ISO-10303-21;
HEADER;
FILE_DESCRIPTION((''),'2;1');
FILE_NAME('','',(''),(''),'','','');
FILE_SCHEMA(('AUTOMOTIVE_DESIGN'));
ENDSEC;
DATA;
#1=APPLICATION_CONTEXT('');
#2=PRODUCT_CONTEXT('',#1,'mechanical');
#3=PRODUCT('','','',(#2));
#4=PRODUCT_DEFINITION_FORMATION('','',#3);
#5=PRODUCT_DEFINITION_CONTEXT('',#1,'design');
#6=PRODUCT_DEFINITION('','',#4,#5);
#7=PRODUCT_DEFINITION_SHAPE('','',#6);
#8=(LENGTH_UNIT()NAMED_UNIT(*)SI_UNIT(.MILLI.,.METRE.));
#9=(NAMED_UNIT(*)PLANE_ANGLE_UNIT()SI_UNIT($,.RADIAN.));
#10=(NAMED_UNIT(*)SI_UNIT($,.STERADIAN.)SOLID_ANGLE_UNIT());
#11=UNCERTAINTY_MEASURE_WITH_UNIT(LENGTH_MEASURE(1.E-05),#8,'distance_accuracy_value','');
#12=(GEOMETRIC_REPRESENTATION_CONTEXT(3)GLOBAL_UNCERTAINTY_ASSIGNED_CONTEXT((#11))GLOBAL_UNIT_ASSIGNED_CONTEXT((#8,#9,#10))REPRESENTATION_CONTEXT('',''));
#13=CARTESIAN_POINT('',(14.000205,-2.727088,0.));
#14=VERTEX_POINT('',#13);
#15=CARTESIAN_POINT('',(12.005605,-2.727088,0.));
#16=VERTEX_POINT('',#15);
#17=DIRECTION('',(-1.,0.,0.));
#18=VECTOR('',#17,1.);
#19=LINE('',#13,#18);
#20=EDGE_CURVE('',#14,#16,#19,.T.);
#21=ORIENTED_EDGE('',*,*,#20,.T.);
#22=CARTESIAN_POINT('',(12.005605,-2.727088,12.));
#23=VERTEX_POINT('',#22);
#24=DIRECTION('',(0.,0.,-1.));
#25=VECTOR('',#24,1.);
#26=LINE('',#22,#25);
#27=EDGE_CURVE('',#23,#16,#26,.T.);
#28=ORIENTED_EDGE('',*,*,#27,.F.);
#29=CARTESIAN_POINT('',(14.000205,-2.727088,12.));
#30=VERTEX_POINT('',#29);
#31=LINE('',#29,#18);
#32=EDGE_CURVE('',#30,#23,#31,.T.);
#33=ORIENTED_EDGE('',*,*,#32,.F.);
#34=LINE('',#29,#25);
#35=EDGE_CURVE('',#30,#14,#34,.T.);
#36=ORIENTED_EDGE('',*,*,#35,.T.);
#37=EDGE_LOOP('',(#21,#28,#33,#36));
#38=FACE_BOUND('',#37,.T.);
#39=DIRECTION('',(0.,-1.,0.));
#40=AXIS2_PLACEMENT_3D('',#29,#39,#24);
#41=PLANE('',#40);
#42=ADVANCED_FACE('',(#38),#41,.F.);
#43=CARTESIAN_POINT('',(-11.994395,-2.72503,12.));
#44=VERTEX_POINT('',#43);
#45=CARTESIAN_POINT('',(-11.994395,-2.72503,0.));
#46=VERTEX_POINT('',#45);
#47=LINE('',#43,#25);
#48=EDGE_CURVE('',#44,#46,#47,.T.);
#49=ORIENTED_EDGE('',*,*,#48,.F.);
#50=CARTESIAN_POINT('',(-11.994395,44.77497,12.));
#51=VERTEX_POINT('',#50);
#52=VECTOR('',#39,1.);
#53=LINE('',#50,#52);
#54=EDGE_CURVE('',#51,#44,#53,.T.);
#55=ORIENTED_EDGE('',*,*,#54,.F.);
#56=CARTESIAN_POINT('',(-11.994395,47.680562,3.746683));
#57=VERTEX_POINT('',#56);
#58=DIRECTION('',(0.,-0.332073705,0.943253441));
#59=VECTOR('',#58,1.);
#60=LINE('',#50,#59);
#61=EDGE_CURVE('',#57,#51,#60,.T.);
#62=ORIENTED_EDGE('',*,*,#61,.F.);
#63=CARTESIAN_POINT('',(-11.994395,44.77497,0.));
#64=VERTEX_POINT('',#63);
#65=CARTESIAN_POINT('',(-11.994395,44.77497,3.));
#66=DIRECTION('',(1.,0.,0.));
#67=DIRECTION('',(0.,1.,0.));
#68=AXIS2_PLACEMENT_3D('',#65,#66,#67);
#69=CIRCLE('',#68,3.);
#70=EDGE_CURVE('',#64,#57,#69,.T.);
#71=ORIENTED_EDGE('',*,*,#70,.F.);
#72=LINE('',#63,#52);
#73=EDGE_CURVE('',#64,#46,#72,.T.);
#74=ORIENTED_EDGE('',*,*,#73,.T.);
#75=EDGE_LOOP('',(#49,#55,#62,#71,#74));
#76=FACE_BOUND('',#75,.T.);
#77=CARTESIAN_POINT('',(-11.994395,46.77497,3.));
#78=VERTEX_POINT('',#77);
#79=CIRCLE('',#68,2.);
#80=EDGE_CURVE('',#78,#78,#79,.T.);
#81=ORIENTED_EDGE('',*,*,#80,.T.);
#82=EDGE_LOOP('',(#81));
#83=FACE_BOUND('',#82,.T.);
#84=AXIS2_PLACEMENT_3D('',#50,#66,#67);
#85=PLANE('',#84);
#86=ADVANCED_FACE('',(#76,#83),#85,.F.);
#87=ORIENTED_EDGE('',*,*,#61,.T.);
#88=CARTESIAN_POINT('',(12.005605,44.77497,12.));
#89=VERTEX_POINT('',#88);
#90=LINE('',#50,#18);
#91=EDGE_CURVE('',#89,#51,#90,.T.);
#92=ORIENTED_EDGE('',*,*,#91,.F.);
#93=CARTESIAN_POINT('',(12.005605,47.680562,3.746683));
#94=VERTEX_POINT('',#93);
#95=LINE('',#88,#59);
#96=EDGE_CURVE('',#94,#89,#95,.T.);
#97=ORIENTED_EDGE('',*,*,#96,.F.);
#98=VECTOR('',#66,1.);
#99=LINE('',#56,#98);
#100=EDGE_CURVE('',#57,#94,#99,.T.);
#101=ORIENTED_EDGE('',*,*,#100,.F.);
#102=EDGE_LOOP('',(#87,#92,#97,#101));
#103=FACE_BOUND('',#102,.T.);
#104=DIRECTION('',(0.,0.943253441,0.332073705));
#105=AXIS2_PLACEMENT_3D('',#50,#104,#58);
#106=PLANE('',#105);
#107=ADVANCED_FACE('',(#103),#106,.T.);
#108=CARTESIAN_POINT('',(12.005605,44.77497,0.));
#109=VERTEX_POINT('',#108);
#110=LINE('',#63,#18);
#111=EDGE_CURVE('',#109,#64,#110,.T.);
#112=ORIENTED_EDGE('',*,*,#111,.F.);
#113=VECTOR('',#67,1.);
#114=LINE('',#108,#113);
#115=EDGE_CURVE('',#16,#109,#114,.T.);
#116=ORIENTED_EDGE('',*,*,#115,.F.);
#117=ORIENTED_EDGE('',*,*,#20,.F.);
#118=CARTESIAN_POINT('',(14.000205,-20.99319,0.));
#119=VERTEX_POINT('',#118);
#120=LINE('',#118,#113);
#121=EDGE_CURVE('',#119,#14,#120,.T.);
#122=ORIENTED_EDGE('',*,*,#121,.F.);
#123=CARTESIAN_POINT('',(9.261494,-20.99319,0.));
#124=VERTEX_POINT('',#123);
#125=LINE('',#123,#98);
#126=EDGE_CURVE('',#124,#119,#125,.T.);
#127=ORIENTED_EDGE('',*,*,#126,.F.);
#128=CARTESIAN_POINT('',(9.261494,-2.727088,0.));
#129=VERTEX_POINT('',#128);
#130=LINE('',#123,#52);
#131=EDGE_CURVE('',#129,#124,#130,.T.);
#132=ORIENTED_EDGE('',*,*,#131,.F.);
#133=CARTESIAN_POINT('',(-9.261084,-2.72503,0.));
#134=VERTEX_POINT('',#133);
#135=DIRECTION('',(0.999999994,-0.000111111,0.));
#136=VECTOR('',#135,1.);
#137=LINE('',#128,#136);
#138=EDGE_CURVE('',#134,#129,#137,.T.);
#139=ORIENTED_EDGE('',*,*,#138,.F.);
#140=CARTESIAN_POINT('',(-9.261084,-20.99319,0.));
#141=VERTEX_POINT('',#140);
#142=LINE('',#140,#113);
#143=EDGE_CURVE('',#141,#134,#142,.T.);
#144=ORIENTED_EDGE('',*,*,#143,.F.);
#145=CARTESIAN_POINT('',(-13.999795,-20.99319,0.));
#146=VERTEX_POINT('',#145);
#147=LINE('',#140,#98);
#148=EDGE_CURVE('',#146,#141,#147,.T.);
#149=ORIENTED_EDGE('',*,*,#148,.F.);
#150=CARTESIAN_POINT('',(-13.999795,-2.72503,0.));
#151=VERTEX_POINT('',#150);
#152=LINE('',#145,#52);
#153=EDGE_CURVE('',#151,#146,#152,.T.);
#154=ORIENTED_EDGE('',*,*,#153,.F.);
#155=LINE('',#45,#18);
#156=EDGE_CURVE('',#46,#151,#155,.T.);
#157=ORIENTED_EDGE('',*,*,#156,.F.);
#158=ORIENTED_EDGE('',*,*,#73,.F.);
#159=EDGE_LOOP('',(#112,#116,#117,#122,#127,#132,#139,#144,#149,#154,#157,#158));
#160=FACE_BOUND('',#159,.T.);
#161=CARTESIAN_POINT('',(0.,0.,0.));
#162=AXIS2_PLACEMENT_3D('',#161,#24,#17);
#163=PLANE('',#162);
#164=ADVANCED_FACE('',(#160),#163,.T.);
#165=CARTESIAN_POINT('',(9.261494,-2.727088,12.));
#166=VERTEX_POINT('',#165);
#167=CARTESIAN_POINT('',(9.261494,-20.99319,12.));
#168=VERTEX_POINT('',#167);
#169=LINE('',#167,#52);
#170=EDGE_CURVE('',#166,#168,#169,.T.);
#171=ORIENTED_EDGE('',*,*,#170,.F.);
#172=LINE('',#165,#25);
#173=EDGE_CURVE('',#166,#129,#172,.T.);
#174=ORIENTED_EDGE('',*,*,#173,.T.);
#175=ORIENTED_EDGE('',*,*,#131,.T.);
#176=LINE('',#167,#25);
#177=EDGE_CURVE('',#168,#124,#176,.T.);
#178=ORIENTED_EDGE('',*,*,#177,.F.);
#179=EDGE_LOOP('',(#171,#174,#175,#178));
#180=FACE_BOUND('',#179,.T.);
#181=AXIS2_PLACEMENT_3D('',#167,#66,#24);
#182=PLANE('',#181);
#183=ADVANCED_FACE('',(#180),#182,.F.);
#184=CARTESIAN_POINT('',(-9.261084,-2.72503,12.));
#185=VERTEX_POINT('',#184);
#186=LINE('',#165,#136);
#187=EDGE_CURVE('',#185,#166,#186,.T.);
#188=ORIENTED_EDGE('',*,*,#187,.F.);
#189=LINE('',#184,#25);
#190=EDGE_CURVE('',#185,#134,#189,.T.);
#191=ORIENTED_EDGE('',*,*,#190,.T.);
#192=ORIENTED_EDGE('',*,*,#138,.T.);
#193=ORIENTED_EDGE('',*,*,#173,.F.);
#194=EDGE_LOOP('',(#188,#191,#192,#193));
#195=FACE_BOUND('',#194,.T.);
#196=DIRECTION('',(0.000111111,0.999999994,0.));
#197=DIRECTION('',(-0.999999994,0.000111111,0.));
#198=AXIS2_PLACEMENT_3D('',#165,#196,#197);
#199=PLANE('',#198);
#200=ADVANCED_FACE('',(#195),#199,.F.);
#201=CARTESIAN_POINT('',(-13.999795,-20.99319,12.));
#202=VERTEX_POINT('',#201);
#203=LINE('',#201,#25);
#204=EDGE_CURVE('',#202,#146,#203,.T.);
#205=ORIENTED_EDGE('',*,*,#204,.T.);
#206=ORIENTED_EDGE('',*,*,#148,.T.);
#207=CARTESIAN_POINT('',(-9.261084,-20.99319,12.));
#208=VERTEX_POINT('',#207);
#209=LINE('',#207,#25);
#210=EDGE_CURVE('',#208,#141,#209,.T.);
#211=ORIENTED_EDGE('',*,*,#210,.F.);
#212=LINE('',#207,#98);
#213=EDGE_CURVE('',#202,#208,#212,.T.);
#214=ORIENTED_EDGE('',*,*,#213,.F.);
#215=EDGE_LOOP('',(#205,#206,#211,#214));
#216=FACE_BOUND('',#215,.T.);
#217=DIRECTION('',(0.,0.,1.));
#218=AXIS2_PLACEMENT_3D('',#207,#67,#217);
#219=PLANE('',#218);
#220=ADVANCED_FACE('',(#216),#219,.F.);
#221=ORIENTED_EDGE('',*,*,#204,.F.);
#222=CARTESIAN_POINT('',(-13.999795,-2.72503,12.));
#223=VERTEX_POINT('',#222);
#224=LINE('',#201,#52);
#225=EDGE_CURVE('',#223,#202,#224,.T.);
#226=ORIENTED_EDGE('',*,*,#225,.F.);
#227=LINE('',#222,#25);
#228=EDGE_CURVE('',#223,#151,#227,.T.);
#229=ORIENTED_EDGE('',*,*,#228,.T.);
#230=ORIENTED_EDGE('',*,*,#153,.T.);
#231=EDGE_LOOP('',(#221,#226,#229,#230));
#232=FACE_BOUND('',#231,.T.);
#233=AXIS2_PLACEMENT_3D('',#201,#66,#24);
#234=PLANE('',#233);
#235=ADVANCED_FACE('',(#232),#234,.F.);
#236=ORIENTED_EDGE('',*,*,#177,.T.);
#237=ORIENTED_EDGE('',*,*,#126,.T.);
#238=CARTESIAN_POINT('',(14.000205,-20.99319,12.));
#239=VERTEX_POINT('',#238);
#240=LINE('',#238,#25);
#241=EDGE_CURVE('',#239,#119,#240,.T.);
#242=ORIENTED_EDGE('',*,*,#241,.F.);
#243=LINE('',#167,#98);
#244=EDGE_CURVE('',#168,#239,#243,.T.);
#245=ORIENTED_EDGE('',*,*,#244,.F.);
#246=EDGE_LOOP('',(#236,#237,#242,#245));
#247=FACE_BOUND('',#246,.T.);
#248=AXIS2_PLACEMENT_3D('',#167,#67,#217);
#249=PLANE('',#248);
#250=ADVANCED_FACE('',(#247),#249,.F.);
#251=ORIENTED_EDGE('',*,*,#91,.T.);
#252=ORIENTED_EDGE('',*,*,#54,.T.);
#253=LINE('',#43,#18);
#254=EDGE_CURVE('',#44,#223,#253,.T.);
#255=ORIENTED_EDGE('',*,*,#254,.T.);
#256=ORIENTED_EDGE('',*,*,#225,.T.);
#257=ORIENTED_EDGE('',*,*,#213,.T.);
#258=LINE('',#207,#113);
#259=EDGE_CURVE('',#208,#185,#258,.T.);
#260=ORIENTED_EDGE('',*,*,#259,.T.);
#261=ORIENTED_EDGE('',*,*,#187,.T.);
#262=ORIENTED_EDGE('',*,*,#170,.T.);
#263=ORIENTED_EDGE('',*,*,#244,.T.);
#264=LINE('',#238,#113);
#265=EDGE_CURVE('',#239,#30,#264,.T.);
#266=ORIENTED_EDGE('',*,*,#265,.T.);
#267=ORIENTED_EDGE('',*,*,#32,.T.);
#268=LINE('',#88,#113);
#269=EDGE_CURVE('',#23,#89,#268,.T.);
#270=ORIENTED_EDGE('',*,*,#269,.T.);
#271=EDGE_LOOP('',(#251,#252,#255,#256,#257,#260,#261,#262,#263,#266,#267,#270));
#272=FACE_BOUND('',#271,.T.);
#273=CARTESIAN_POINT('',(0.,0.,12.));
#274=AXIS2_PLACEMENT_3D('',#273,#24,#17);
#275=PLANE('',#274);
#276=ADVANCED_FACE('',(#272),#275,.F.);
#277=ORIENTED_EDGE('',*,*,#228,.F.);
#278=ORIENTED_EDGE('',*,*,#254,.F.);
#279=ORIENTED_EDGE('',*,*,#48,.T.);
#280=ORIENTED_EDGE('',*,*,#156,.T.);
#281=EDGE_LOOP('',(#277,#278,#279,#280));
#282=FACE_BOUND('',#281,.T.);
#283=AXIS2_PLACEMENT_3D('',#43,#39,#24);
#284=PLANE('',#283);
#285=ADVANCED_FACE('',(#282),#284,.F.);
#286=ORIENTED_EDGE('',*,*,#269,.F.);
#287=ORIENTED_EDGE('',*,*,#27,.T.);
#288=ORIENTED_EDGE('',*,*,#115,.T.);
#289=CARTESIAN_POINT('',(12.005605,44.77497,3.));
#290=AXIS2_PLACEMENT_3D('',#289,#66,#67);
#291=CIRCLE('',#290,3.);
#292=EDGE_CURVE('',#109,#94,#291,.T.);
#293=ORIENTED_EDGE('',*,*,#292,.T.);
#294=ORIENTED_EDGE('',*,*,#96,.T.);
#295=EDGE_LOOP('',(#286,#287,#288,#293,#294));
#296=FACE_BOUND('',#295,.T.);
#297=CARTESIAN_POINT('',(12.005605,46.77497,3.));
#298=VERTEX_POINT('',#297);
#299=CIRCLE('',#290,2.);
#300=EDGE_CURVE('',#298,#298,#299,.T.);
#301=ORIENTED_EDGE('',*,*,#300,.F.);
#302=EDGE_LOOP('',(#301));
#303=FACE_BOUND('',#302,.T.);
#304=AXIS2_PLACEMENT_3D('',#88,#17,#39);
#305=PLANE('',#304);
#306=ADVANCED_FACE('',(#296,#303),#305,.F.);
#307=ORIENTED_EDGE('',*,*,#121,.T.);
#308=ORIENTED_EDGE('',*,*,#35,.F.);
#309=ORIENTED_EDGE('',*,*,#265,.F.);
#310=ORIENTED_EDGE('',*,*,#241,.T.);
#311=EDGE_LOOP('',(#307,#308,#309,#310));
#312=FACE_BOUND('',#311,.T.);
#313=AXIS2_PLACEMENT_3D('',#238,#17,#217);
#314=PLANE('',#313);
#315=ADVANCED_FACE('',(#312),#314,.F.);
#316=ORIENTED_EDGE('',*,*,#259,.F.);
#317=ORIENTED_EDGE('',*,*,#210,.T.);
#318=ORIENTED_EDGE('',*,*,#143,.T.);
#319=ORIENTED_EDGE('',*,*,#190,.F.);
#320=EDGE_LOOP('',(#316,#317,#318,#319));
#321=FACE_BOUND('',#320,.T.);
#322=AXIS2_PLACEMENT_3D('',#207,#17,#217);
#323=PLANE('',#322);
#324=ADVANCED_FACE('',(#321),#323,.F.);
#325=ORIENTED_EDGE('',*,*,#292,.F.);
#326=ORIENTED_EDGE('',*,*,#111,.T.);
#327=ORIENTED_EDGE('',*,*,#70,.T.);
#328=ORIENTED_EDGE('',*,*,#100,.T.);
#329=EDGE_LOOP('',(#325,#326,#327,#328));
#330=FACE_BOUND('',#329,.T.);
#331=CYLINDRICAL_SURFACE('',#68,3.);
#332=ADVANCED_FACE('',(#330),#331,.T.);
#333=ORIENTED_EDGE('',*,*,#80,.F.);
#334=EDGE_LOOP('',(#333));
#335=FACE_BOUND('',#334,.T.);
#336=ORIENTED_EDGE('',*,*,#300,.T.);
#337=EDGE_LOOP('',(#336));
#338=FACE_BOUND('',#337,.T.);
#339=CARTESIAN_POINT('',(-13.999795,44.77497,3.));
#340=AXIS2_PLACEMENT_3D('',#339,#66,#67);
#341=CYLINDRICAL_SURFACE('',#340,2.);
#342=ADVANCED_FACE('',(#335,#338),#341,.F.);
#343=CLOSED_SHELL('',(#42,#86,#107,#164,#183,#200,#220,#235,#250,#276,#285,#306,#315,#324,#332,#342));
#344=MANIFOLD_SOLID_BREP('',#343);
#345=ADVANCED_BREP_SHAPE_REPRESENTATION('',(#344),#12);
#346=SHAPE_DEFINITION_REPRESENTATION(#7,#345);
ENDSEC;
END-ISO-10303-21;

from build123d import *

# Parameters (mm, degrees)
EXTRUDE_1_DEPTH      = 12
EXTRUDE_4_DEPTH      = 24
SKETCH_16_R          = 2
CUT_EXTRUDE_11_DEPTH = 27.005399728


with BuildPart() as part:
    # 스케치1 → 보스-돌출1 (new body)
    with BuildSketch(Plane.XY):
        Polygon((-11.994395335, 44.774969809), (-11.994395335, -2.725030191), (-13.999795062, -2.725030191), (-13.999795062, -20.993190191), (-9.261084312, -20.993190191), (-9.261084312, -2.725030191), (9.261494188, -2.727088258), (9.261494188, -20.993190191), (14.000204938, -20.993190191), (14.000204938, -2.727088258), (12.005604665, -2.727088258), (12.005604665, 44.774969809), align=None)
    extrude(amount=EXTRUDE_1_DEPTH)

    # 스케치15 → 보스-돌출4 (add)
    with BuildSketch(Plane(origin=(12.005604665, 0, 0), x_dir=(0, 0, -1), z_dir=(1, 0, 0))):
        with BuildLine():
            Line((-12, 44.774969809), (-3.746682541, 47.680561863))
            ThreePointArc((-3.746682541, 47.680561863), (-1.161528845, 47.145628749), (0, 44.774969809))
            Line((0, 44.774969809), (-12, 44.774969809))
        make_face()
    extrude(amount=-EXTRUDE_4_DEPTH)

    # 스케치16 → 컷-돌출11 (cut, through all)
    with BuildSketch(Plane(origin=(12.005604665, 0, 0), x_dir=(0, 0, -1), z_dir=(1, 0, 0))):
        with Locations((-3, 44.774969809)):
            Circle(SKETCH_16_R)
    extrude(amount=-CUT_EXTRUDE_11_DEPTH, mode=Mode.SUBTRACT)


solid = part.part
